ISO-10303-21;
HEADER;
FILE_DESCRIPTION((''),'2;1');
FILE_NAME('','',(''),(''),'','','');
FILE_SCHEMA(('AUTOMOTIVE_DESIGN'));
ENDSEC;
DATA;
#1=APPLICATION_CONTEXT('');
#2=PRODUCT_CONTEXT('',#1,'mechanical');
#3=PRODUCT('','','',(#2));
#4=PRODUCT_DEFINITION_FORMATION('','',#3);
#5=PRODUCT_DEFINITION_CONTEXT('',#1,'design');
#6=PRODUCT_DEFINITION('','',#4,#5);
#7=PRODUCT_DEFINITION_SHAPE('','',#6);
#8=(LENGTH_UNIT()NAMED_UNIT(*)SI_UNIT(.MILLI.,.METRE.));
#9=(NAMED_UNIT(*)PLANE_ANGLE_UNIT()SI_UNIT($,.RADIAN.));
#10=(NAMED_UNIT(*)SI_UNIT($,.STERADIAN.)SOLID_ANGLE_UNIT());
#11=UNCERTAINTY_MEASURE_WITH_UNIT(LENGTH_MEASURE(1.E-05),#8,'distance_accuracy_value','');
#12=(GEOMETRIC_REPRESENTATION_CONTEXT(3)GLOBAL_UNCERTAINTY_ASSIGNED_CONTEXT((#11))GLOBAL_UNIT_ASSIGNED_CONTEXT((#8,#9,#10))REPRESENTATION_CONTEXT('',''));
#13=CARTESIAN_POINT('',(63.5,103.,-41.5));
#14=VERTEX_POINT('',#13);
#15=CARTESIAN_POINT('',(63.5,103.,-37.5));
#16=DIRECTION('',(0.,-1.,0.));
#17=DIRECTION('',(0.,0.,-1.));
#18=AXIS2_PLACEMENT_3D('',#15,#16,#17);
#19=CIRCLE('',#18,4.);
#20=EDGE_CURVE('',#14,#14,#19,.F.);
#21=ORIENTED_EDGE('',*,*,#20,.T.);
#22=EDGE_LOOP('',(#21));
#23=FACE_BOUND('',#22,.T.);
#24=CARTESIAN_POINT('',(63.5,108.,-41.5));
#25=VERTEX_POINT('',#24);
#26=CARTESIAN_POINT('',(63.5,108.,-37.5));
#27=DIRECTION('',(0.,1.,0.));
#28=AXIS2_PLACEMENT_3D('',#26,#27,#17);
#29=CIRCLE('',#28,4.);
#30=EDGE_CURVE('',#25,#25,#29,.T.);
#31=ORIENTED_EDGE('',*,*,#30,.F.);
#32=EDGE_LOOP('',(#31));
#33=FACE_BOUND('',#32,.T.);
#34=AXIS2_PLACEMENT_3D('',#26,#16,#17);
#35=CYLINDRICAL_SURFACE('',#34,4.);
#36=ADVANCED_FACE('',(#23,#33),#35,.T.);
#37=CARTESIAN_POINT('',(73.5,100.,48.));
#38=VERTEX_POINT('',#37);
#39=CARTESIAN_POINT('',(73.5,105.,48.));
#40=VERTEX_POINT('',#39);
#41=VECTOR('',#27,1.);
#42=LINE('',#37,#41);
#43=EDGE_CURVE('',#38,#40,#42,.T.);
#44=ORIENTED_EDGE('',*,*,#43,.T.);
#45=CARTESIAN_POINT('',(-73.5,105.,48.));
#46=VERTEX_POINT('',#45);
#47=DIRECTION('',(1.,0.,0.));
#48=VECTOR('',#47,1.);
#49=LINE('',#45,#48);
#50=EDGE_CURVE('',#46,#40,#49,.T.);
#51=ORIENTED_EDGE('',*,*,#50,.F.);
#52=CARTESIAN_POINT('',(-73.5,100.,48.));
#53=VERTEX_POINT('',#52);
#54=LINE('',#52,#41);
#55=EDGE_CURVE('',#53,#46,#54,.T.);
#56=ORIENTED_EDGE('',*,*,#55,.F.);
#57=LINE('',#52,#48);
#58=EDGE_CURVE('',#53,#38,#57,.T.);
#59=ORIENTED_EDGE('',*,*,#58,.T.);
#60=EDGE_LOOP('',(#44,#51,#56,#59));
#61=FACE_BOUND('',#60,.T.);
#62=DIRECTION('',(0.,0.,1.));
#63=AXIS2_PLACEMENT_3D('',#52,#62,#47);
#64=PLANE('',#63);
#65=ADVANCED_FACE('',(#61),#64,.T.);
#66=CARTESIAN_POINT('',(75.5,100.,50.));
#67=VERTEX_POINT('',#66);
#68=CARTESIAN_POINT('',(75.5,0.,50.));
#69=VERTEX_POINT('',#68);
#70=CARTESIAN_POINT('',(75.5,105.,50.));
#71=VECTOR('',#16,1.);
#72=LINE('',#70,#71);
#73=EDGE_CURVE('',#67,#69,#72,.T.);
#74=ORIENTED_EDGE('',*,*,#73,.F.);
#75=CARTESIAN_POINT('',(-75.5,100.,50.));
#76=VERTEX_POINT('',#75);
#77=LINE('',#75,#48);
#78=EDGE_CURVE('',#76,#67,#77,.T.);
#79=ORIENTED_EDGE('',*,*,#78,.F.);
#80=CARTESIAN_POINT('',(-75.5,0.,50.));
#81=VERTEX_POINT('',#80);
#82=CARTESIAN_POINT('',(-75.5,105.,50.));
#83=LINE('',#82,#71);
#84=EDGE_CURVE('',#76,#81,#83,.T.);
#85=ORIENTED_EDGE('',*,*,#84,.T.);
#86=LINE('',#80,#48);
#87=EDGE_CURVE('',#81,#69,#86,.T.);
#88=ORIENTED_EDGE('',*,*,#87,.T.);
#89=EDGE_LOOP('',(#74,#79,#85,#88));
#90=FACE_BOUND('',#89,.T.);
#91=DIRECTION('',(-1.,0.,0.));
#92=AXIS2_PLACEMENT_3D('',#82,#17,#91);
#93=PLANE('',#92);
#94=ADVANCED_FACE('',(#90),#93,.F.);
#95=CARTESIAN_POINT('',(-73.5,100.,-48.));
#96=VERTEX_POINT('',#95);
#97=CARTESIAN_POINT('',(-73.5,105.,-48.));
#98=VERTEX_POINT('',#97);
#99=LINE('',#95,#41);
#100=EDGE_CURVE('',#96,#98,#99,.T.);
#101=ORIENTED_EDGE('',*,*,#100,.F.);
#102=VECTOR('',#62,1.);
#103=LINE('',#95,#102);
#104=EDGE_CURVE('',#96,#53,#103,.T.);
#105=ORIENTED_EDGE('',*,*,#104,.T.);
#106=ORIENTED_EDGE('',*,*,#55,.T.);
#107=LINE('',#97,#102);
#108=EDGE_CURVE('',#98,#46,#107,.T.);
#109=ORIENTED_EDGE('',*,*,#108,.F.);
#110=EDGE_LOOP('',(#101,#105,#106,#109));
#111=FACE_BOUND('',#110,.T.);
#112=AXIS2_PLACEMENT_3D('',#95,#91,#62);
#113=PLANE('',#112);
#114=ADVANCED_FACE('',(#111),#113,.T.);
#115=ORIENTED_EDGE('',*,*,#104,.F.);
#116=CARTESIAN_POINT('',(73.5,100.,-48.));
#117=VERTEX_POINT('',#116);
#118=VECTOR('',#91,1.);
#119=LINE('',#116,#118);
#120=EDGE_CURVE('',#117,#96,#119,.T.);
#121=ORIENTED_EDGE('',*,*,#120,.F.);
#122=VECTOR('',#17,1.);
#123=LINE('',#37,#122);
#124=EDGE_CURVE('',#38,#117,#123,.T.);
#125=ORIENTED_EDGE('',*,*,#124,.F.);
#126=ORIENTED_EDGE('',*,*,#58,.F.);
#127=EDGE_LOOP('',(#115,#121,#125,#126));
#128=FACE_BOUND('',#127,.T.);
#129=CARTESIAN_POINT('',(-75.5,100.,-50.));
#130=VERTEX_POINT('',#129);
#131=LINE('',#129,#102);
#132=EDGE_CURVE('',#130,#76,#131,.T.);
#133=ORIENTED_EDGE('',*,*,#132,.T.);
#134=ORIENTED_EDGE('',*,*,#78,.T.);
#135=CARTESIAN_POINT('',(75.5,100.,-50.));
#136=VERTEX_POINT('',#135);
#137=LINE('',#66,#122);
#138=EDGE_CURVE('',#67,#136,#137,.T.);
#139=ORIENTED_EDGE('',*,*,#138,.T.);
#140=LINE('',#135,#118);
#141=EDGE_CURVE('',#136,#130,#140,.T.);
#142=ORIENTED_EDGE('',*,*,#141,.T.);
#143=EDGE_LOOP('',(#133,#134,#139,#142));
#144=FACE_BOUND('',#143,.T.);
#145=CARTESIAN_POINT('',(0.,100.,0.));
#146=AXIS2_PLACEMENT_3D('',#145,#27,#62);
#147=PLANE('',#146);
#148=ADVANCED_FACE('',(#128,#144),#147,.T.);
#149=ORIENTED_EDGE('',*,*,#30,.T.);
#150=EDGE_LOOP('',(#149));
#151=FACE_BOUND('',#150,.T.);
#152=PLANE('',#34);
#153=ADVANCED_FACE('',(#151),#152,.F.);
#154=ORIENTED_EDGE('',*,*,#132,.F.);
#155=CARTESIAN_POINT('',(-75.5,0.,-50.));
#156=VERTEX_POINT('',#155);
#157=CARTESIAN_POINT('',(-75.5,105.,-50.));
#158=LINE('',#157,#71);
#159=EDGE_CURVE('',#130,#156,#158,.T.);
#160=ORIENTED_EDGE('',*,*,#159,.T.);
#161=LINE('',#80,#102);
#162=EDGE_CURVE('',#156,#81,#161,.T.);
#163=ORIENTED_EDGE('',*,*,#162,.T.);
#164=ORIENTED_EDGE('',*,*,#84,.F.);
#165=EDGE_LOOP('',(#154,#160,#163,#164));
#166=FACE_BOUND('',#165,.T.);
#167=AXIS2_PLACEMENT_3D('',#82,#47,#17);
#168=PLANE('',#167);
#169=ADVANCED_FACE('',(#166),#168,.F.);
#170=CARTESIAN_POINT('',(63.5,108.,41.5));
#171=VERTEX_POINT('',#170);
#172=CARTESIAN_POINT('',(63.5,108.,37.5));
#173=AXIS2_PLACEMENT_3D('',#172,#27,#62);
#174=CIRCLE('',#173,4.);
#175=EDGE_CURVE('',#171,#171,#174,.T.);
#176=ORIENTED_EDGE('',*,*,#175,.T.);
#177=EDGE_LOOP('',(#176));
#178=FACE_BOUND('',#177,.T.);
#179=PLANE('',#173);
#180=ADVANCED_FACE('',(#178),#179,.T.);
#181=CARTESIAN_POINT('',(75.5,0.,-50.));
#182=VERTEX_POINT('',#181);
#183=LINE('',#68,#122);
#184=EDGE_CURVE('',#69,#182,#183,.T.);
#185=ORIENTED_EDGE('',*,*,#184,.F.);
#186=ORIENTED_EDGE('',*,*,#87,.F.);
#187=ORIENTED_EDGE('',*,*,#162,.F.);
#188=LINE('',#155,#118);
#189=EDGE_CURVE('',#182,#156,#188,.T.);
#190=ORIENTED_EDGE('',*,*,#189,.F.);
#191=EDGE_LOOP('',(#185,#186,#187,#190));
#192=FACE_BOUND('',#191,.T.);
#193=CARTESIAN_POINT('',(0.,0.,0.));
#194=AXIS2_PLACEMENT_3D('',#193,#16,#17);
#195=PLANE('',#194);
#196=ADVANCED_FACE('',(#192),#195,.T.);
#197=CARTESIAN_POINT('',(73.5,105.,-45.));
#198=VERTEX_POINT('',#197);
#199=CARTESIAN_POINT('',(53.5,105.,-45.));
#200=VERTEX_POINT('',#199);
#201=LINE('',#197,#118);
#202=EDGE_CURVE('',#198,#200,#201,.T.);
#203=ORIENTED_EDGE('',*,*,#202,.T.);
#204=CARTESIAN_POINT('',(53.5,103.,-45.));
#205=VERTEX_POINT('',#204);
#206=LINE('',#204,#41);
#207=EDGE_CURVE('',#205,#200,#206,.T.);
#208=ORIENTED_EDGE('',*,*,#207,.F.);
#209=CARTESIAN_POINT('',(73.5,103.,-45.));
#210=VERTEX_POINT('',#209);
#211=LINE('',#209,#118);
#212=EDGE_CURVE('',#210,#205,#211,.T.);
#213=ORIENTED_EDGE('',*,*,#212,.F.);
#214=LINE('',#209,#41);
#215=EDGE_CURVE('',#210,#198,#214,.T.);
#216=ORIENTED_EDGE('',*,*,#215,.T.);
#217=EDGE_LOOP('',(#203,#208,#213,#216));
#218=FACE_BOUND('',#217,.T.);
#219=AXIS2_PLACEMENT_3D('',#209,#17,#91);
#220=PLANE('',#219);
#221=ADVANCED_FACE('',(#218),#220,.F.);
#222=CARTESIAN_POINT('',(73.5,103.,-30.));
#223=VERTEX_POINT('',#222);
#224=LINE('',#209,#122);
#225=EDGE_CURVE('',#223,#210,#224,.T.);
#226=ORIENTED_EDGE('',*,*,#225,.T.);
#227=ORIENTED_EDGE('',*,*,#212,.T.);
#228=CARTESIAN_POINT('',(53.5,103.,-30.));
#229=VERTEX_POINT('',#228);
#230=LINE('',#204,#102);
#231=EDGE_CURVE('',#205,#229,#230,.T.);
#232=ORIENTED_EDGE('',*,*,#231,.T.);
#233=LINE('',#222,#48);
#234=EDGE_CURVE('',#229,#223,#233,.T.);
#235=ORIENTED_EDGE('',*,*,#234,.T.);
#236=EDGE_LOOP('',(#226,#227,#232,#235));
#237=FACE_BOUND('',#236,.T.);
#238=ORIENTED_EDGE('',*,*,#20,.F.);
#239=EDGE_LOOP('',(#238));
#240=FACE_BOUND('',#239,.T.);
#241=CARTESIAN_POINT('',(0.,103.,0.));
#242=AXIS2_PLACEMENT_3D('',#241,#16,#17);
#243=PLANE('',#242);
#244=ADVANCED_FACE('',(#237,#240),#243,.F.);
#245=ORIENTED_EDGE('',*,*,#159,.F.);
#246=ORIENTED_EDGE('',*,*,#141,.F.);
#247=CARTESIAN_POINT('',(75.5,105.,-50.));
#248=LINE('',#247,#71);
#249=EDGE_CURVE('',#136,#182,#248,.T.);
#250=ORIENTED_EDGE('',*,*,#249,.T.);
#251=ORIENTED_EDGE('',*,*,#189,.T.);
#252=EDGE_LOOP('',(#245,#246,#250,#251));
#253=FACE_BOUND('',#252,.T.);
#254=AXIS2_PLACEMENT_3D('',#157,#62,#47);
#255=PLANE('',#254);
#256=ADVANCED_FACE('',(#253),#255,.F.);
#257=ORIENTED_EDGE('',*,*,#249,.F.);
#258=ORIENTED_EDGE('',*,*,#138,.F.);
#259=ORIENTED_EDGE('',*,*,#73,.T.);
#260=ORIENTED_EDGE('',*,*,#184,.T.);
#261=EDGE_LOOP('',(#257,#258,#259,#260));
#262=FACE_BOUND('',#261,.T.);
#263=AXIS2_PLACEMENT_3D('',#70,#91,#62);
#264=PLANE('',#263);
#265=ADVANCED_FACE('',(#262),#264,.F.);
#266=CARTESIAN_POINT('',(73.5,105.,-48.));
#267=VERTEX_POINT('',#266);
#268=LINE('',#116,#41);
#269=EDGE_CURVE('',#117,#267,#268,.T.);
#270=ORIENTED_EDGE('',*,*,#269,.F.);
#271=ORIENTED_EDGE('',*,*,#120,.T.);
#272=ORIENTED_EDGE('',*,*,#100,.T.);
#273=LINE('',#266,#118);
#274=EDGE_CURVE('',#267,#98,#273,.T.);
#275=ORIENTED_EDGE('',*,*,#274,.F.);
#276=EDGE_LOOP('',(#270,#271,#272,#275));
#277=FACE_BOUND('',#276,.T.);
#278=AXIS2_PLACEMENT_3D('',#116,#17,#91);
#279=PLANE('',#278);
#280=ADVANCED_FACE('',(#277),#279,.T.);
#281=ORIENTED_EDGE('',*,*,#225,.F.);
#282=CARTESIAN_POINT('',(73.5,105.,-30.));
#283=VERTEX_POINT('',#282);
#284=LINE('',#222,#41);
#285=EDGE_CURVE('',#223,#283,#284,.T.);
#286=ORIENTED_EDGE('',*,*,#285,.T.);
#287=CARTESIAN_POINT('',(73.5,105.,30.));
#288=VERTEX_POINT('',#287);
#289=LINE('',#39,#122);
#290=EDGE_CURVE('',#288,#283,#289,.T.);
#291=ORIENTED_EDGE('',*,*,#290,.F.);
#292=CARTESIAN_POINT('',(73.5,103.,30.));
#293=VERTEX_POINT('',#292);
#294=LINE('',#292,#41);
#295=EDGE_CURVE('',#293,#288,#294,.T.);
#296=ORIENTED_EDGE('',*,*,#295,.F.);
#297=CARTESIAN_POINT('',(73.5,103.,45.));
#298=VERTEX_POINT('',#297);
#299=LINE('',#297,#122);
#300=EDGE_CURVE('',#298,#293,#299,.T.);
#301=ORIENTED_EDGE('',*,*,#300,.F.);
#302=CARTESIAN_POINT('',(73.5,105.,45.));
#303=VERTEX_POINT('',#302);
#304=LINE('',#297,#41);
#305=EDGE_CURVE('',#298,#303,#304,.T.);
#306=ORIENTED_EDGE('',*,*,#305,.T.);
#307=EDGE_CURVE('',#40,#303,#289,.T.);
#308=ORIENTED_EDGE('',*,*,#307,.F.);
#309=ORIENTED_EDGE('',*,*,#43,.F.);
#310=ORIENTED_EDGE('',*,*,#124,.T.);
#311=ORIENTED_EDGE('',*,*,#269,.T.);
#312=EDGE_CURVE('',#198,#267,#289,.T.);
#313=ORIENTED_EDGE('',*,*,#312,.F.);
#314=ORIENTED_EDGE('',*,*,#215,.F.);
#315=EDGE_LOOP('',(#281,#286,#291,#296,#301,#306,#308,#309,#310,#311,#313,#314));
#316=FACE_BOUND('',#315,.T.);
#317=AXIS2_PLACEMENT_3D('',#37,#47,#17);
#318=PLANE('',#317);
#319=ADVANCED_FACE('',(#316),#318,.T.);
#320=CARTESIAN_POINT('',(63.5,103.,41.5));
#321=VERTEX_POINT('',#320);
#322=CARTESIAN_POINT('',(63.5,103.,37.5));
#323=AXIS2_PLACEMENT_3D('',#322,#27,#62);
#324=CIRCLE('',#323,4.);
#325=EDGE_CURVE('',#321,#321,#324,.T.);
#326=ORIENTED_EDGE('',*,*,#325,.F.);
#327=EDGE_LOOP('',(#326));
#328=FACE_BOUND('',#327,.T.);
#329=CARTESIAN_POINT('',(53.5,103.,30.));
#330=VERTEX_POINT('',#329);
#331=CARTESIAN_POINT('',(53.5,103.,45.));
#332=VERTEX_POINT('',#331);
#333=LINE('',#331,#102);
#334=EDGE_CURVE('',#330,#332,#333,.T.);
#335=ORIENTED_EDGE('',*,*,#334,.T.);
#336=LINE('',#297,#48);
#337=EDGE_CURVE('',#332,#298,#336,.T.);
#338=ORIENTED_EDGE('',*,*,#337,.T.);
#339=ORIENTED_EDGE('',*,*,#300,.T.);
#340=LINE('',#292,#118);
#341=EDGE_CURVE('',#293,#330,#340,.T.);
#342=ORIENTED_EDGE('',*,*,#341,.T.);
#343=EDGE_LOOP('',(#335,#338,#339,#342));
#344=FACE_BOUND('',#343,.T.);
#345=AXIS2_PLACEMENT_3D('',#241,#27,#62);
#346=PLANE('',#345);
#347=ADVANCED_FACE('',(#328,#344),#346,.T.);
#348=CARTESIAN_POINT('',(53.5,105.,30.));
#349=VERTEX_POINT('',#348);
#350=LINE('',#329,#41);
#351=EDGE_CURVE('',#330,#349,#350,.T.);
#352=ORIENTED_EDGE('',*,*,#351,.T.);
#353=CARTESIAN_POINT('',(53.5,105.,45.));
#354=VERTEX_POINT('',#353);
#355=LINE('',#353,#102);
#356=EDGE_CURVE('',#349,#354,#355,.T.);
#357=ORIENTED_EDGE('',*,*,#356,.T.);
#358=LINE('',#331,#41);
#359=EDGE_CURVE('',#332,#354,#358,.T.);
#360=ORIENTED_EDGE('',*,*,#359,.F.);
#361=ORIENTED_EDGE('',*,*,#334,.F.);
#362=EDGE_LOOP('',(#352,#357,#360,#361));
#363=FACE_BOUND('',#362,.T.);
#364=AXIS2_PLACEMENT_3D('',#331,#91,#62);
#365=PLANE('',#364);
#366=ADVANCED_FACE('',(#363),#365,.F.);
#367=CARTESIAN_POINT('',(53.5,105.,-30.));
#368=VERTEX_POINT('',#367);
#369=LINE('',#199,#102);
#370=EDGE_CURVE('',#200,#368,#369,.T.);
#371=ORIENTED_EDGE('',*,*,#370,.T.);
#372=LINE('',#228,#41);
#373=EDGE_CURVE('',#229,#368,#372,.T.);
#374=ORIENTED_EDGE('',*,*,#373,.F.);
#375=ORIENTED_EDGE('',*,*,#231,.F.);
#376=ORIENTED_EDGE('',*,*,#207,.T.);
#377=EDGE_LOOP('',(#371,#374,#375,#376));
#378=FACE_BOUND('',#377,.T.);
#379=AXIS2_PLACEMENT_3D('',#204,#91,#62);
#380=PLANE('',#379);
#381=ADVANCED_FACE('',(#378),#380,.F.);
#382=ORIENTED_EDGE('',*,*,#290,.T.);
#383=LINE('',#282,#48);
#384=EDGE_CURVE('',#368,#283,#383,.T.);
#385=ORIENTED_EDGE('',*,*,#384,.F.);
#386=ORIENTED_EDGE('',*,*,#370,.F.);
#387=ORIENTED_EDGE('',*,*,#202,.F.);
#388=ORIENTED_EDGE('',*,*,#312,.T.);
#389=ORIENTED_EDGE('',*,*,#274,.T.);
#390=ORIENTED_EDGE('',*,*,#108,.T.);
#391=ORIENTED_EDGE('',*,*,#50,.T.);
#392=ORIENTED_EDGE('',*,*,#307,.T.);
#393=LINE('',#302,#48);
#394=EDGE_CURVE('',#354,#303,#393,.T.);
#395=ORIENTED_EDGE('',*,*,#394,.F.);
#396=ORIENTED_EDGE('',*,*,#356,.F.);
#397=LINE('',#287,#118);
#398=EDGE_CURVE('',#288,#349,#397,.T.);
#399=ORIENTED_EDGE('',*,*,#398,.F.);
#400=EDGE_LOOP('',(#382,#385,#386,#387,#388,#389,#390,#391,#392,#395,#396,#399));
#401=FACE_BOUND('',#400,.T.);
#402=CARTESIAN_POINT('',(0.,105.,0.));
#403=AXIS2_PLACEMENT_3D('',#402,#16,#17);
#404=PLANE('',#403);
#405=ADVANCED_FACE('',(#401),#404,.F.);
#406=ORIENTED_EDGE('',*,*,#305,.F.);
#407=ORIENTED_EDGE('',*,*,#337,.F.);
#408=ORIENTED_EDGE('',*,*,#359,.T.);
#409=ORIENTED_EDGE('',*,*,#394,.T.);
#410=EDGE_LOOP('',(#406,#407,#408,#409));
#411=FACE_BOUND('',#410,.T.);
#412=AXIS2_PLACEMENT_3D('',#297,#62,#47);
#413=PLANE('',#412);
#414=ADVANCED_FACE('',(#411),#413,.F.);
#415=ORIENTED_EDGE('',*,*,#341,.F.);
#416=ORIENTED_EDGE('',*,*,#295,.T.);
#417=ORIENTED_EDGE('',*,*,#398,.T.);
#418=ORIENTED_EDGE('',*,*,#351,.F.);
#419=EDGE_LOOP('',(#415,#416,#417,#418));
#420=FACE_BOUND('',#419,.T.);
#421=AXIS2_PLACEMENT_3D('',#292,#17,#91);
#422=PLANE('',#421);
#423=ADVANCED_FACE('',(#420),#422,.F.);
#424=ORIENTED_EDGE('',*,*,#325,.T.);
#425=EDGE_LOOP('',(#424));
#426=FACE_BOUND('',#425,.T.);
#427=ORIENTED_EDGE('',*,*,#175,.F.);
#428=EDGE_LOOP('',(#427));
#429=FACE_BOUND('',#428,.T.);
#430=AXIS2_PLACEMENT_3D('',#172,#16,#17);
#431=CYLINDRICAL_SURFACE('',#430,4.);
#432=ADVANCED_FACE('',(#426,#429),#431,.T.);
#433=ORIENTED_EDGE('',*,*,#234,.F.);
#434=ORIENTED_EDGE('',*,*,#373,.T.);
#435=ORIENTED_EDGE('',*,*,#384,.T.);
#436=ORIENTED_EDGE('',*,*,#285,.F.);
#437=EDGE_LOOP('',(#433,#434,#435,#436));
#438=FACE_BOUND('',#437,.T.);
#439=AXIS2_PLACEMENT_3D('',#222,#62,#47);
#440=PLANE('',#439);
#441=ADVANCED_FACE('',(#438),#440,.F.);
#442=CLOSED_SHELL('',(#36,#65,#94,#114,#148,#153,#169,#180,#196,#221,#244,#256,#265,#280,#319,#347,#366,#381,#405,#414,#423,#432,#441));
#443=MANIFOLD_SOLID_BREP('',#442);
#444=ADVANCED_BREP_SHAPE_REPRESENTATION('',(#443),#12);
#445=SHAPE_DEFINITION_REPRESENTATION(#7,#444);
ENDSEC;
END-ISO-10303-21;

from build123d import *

# Parameters (mm, degrees)
SKETCH1_W           = 151
SKETCH1_H           = 100
BOSS_EXTRUDE1_DEPTH = 105
SKETCH2_W           = 151
SKETCH2_H           = 100
SKETCH2_W_2         = 147
SKETCH2_H_2         = 96
CUT_EXTRUDE1_DEPTH  = 5
SKETCH3_W           = 20
SKETCH3_H           = 15
CUT_EXTRUDE2_DEPTH  = 2
SKETCH4_R           = 4
BOSS_EXTRUDE2_DEPTH = 5


with BuildPart() as part:
    # Sketch1 → Boss-Extrude1 (new body)
    with BuildSketch(Plane(origin=(0, 0, 0), x_dir=(1, 0, 0), z_dir=(0, 1, 0))):
        Rectangle(SKETCH1_W, SKETCH1_H)
    extrude(amount=BOSS_EXTRUDE1_DEPTH)

    # Sketch2 → Cut-Extrude1 (cut)
    with BuildSketch(Plane(origin=(0, 105, 0), x_dir=(1, 0, 0), z_dir=(0, 1, 0))):
        Rectangle(SKETCH2_W, SKETCH2_H)
        Rectangle(SKETCH2_W_2, SKETCH2_H_2, mode=Mode.SUBTRACT)
    extrude(amount=-CUT_EXTRUDE1_DEPTH, mode=Mode.SUBTRACT)

    # Sketch3 → Cut-Extrude2 (cut)
    with BuildSketch(Plane(origin=(0, 105, 0), x_dir=(1, 0, 0), z_dir=(0, 1, 0))):
        with Locations((63.5, 37.5)):
            Rectangle(SKETCH3_W, SKETCH3_H)
        with Locations((63.5, -37.5)):
            Rectangle(SKETCH3_W, SKETCH3_H)
    extrude(amount=-CUT_EXTRUDE2_DEPTH, mode=Mode.SUBTRACT)

    # Sketch4 → Boss-Extrude2 (add)
    with BuildSketch(Plane(origin=(0, 103, 0), x_dir=(1, 0, 0), z_dir=(0, 1, 0))):
        with Locations(Location((63.5, -37.5, 0), (0, 0, 270))):
            Circle(SKETCH4_R)
        with Locations(Location((63.5, 37.5, 0), (0, 0, 90))):
            Circle(SKETCH4_R)
    extrude(amount=BOSS_EXTRUDE2_DEPTH)


solid = part.part
